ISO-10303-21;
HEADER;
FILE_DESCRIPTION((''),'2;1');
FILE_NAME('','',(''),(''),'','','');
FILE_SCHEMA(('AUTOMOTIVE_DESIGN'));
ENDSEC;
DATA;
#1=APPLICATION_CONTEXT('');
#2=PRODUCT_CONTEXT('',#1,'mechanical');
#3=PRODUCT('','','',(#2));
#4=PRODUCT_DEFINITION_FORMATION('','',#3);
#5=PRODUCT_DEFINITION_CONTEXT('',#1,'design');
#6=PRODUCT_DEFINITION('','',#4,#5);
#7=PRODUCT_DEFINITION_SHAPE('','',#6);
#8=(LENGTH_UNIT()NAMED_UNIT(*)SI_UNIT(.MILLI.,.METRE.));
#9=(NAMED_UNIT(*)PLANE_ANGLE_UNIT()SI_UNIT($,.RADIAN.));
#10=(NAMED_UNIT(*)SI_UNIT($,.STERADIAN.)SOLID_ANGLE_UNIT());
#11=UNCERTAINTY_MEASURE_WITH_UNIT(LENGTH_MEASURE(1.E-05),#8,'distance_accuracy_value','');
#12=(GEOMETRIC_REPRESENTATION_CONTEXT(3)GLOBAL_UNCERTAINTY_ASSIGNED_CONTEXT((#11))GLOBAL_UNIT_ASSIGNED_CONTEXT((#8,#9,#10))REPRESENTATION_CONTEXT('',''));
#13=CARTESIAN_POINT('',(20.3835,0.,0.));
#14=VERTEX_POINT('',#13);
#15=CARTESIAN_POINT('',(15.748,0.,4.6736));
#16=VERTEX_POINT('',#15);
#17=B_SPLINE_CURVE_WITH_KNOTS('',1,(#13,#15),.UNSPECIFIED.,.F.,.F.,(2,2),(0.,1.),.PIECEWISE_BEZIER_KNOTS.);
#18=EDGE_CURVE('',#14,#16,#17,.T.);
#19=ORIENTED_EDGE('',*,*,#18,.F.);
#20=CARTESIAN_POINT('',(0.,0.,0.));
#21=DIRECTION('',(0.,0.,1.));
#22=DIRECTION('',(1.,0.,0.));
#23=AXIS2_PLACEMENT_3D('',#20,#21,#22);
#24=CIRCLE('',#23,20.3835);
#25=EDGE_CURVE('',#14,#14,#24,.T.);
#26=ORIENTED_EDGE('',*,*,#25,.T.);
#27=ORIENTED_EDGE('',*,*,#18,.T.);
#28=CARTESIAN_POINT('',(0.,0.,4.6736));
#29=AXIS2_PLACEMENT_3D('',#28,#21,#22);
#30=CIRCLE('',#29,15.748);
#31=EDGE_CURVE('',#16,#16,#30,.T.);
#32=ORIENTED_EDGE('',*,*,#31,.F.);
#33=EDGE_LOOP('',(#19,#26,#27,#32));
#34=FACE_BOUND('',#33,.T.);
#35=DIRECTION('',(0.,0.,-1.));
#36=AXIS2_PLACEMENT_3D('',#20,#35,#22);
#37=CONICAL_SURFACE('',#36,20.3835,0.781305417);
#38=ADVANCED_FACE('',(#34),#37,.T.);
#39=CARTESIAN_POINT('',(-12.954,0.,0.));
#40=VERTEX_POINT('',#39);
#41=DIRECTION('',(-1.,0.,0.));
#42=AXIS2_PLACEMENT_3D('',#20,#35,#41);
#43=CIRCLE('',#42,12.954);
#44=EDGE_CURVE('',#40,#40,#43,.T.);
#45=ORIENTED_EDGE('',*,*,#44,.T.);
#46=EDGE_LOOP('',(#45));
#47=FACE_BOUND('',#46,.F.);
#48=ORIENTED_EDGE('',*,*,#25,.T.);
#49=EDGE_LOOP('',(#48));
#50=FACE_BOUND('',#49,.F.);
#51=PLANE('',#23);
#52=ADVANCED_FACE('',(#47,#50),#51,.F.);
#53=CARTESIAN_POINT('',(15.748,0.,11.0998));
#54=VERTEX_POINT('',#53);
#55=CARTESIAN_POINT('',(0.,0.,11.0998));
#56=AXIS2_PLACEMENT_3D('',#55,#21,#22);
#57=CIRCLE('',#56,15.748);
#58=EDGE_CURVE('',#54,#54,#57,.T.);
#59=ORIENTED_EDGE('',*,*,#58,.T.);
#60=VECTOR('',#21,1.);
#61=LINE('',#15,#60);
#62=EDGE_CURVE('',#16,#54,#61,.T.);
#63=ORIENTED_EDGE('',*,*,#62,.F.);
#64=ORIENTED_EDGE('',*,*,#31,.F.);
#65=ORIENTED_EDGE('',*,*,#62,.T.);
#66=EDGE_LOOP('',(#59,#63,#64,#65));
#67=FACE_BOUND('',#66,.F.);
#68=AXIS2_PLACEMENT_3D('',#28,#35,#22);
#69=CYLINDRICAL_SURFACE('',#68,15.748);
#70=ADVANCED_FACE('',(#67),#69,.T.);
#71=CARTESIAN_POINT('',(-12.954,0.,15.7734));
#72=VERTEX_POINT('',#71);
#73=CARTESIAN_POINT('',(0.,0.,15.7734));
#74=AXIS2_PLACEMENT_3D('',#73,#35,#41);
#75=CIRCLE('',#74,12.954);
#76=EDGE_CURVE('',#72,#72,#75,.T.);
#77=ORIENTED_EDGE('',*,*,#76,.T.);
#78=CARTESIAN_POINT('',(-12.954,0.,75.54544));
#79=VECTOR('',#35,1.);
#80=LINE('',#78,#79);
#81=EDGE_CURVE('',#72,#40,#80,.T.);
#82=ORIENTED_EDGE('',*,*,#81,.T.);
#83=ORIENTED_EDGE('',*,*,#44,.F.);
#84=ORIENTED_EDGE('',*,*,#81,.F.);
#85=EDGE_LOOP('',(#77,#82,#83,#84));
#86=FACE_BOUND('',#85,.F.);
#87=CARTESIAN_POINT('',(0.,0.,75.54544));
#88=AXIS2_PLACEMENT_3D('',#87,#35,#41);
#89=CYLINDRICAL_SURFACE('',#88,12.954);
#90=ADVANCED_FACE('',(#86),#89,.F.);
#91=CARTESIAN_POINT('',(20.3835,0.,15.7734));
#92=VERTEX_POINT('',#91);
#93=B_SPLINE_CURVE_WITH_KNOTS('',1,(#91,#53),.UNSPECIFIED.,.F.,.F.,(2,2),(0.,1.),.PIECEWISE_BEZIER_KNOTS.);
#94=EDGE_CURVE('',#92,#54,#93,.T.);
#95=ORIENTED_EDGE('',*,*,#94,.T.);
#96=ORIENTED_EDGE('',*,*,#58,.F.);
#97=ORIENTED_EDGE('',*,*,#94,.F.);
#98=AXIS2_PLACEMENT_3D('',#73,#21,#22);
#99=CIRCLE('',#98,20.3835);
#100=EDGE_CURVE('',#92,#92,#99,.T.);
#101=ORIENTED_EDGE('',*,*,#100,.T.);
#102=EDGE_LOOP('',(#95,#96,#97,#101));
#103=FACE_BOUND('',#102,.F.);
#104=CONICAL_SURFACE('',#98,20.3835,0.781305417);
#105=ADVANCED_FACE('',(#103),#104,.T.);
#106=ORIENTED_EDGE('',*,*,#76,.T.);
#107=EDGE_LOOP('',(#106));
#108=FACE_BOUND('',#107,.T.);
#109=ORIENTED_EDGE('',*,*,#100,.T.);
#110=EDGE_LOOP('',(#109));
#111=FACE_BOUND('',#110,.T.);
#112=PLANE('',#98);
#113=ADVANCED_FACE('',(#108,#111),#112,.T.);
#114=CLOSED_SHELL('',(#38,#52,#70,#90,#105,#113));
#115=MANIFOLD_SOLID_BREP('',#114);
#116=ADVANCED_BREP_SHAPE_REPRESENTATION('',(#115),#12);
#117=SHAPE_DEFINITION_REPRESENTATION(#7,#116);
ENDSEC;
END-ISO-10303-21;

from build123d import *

# Parameters (mm, degrees)
F0_R      = 20.3835
F2_R      = 15.748
F4_DEPTH  = 6.4262
F6_R      = 20.3835
F4_FACE_R = 15.748
F9_D      = 25.908


with BuildPart() as f3:
    # F0 (on Top) → F3 section 0
    with BuildSketch(Plane.XY):
        Circle(F0_R)
    # F2 (on offset) → F3 section 1
    with BuildSketch(Plane.XY.offset(4.6736)):
        Circle(F2_R)
    loft()

    # F4 (add): a face of the model
    f4_faces = [f3.faces().sort_by_distance(p)[0] for p in [
        (0, 0, 4.6736),
    ]]
    extrude(f4_faces, amount=F4_DEPTH)

    # F6 (on offset) → F7 section 0
    with BuildSketch(Plane.XY.offset(15.7734)):
        Circle(F6_R)
    # F4_face (on face) → F7 section 1
    with BuildSketch(Plane.XY.offset(11.0998)):
        Circle(F4_FACE_R)
    loft()

    # F9 (through all)
    with Locations(Plane.XY.offset(15.7734)):
        with Locations((0, 0)):
            Hole(F9_D / 2)


solid = f3.part
